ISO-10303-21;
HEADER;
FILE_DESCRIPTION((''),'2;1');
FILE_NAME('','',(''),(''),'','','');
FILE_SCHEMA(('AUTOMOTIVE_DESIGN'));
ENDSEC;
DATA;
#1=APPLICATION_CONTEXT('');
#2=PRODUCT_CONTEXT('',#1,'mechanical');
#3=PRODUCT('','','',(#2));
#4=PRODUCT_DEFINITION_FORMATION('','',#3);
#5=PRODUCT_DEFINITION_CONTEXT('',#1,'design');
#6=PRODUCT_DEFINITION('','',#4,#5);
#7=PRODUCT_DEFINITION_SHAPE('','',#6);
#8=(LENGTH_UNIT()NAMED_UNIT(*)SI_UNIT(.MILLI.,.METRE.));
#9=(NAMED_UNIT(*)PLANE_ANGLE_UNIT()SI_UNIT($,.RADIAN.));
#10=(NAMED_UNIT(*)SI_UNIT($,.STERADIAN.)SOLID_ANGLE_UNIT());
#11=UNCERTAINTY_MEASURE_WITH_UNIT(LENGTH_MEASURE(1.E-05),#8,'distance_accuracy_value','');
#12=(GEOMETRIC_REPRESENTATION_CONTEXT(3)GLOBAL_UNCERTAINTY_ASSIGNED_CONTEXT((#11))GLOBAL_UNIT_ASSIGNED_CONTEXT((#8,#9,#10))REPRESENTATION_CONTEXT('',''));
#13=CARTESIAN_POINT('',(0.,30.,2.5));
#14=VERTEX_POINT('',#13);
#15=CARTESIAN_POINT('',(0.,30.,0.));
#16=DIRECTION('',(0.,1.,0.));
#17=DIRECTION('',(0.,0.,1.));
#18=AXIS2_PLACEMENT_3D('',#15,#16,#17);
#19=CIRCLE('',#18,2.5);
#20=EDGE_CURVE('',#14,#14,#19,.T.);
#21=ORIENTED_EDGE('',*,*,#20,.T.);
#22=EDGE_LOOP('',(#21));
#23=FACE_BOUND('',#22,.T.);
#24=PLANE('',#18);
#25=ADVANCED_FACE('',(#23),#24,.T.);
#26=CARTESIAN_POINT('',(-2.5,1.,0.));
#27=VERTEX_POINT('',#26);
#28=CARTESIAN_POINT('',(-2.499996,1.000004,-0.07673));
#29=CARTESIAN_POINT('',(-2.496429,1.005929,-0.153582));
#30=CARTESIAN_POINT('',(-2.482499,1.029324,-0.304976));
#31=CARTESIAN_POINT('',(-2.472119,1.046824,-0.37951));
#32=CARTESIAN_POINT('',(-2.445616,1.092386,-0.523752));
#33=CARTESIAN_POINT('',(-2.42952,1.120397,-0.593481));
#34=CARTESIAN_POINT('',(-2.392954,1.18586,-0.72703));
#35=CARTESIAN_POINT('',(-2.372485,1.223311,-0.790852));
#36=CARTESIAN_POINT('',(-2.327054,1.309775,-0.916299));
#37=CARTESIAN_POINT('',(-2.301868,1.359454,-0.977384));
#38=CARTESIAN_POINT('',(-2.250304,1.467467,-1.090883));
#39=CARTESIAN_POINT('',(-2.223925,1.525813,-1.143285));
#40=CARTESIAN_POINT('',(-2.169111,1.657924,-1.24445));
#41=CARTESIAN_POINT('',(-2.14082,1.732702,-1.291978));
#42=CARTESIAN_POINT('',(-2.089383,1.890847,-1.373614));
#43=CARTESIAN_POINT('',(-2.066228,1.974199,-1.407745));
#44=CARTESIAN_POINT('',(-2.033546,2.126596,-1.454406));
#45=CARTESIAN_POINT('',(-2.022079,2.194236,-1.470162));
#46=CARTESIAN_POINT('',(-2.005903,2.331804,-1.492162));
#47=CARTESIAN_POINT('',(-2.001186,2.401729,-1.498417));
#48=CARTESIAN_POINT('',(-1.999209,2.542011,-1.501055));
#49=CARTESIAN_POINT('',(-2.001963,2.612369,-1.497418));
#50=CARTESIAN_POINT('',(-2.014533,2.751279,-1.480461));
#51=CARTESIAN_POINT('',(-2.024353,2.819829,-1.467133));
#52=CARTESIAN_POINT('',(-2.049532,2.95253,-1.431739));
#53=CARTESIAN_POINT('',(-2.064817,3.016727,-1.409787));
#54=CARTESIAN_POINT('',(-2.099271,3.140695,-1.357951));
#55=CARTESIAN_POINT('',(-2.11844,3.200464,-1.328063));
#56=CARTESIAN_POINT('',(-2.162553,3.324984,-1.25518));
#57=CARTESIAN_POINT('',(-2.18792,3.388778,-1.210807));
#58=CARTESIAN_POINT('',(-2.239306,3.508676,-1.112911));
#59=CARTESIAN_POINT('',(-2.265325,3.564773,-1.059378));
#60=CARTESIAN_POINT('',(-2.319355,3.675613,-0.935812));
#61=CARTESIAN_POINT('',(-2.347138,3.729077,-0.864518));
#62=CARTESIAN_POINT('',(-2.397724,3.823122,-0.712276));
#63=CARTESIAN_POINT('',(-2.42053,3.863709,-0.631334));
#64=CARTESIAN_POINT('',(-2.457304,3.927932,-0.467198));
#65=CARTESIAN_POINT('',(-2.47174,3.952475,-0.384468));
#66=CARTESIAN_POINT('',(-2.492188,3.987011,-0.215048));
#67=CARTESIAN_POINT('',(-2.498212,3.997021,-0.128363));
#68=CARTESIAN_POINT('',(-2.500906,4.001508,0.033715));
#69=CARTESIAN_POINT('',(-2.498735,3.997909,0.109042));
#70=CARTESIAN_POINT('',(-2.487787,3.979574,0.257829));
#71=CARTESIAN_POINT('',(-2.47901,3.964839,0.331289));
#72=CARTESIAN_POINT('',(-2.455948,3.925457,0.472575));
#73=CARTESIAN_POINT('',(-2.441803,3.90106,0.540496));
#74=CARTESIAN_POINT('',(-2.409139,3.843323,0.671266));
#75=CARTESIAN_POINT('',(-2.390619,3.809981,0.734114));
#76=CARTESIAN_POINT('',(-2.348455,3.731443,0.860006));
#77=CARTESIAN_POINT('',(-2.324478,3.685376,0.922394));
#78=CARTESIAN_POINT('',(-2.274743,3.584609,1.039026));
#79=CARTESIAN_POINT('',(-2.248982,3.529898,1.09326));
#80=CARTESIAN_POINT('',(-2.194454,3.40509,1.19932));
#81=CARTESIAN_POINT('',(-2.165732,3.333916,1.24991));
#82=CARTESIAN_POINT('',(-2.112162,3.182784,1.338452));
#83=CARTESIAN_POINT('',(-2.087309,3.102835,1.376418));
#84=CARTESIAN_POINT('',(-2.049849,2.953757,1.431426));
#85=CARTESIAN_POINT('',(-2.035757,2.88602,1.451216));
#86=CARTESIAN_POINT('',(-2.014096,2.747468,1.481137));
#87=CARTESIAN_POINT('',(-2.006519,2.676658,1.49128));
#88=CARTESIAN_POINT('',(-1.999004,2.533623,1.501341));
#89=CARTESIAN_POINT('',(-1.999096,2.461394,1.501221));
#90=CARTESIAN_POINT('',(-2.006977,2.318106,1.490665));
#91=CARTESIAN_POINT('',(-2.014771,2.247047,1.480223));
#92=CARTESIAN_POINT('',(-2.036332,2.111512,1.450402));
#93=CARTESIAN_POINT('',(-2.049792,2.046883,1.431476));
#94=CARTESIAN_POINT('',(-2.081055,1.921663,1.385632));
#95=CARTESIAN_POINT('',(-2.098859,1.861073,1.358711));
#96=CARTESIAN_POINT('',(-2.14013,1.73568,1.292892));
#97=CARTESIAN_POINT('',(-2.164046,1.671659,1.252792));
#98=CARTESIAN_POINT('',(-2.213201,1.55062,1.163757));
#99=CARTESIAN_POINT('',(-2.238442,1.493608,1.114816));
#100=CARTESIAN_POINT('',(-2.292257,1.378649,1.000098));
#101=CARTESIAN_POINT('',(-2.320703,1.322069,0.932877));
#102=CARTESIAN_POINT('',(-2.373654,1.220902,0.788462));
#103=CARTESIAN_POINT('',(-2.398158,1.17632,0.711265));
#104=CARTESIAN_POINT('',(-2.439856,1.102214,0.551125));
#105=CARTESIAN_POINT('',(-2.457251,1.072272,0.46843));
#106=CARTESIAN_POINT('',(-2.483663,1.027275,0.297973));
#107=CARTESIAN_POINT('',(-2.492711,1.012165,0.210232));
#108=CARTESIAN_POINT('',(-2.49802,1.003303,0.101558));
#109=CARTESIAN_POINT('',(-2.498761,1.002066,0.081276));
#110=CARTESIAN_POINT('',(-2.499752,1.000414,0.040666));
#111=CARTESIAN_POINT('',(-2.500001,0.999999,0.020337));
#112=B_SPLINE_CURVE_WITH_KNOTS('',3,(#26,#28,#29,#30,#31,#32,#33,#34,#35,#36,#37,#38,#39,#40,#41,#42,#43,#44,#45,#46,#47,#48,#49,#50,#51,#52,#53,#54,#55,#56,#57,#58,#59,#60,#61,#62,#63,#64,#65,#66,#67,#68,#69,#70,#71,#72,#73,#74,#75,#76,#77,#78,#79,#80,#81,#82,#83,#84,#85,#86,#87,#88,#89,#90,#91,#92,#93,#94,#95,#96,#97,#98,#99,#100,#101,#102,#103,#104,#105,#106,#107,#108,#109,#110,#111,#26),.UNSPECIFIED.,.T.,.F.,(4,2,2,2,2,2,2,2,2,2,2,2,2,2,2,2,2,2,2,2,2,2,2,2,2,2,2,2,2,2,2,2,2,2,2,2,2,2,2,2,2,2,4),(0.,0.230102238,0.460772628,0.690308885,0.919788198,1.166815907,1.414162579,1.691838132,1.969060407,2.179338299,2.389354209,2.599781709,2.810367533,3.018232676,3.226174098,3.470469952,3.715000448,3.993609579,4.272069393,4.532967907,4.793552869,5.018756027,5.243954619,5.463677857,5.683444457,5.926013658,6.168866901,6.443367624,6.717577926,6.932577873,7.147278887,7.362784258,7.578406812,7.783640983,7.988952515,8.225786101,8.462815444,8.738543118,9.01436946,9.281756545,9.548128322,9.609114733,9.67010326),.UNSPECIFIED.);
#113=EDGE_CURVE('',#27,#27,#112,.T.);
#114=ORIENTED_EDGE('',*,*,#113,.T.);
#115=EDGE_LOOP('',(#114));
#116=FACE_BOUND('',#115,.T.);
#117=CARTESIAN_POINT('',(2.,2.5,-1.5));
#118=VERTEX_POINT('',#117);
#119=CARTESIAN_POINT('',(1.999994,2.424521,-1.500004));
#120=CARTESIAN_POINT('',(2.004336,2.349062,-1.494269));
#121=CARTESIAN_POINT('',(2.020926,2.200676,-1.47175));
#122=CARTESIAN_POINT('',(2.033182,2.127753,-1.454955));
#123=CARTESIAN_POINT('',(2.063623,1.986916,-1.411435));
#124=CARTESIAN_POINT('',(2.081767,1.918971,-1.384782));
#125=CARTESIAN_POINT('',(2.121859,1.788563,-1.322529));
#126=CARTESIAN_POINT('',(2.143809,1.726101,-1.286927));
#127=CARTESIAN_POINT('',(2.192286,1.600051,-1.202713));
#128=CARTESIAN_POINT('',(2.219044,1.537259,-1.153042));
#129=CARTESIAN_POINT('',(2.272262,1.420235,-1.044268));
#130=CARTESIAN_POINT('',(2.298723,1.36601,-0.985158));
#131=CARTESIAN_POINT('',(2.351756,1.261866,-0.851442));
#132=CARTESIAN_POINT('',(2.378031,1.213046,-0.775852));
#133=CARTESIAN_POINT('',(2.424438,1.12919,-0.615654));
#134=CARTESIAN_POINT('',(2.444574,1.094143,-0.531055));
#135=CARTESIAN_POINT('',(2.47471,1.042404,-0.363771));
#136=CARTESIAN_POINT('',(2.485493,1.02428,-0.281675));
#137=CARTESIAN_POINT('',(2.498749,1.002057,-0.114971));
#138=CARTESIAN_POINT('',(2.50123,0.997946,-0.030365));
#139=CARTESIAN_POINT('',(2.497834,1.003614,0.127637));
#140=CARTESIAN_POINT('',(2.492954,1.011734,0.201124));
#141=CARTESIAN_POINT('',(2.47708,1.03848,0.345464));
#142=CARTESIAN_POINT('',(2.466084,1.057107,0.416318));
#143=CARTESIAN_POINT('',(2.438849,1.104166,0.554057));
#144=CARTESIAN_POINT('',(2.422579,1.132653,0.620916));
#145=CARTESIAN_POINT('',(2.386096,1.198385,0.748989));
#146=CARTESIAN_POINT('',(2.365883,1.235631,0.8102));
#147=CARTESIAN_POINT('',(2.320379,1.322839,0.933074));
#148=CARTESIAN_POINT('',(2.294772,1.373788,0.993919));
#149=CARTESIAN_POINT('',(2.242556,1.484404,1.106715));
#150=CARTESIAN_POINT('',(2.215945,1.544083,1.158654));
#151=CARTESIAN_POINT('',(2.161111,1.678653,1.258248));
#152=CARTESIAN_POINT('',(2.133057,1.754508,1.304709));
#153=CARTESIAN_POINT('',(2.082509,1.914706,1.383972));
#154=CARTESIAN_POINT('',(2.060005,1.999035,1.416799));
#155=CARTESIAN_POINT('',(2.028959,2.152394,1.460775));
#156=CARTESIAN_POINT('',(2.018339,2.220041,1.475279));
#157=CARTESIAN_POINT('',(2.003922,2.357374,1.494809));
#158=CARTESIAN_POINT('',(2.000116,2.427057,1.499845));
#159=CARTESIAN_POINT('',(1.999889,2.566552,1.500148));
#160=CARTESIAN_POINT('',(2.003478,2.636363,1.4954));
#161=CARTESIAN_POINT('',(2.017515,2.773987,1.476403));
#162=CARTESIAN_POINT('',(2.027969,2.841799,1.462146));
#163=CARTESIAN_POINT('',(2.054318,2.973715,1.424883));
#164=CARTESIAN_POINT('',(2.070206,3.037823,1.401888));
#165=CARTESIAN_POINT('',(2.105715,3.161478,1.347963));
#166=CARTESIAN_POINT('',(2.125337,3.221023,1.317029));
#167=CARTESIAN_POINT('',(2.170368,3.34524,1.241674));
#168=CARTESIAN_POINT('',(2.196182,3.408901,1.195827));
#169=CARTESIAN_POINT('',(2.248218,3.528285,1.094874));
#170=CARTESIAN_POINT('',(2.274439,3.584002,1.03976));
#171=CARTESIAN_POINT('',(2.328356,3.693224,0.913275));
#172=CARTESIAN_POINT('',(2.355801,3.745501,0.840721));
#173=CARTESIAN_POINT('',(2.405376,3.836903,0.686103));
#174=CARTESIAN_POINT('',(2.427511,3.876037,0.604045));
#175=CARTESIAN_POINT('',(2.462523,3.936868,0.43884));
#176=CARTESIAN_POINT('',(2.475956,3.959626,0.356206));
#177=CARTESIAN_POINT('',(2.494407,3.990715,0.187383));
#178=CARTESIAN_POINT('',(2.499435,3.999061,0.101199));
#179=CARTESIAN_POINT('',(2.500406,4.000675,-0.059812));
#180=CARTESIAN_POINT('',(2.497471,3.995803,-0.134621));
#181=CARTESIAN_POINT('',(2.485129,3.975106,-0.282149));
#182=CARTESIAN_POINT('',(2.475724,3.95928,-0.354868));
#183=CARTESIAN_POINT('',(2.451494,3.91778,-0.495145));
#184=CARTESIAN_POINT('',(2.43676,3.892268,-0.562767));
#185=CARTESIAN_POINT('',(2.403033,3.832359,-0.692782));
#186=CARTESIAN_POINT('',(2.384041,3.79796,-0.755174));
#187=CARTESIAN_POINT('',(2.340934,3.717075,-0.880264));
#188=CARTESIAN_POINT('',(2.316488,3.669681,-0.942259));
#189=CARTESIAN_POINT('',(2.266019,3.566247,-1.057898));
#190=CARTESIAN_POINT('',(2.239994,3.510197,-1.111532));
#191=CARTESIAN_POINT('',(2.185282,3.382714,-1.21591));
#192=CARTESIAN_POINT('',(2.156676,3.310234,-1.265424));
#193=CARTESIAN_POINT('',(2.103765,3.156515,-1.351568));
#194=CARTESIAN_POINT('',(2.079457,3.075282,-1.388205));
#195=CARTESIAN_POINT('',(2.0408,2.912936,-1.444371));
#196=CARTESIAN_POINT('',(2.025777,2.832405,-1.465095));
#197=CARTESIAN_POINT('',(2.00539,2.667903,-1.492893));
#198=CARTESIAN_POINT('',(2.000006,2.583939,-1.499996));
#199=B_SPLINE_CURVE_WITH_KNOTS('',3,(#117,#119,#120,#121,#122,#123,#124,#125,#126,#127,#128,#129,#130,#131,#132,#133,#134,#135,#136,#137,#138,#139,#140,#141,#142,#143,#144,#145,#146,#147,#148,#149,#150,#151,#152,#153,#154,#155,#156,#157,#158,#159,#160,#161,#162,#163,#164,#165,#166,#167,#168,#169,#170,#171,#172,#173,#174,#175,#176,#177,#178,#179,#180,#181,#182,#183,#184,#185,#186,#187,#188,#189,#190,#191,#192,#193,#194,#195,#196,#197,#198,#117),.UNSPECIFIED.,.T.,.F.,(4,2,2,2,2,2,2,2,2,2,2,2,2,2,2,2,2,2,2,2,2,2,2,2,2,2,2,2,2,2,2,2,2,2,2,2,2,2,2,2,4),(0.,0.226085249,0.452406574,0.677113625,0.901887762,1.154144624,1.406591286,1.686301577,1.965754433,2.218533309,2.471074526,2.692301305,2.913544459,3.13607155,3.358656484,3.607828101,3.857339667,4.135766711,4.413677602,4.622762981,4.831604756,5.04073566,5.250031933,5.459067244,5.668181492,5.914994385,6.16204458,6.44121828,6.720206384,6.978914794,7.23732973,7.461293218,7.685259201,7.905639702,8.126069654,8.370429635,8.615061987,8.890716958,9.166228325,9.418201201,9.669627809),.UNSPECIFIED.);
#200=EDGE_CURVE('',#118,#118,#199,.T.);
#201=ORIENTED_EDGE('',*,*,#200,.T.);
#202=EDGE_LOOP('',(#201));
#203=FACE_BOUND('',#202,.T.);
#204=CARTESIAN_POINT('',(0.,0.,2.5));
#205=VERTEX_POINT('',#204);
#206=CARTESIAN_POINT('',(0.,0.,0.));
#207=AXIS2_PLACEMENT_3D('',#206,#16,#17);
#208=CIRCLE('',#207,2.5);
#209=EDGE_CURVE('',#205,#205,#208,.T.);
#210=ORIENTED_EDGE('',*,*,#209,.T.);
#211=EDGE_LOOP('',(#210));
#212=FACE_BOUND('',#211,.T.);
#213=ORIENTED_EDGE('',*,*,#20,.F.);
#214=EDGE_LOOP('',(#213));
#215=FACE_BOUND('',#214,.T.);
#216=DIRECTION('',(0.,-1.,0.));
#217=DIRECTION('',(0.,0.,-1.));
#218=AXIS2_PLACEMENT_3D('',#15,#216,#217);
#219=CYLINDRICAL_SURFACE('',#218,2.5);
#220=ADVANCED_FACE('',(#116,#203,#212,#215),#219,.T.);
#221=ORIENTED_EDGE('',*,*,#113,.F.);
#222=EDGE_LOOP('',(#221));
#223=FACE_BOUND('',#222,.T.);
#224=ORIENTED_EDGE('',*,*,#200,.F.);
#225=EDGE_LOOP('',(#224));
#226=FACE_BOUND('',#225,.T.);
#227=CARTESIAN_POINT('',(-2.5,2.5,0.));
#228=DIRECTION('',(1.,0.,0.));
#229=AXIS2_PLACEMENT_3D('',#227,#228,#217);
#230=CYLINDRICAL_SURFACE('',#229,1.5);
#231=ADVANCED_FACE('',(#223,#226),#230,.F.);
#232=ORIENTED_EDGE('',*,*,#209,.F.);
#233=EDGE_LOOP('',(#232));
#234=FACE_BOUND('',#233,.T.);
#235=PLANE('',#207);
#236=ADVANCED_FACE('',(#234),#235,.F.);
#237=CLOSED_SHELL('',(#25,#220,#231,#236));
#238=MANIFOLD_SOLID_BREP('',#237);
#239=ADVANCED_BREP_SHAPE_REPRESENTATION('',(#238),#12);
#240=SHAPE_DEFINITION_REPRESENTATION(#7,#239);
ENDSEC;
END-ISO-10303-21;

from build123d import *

# Parameters (mm, degrees)
SKETCH1_R               = 2.5
BOSS_EXTRUDE1_DEPTH     = 30
CUT_EXTRUDE1_DEPTH      = 31.207614934
CUT_EXTRUDE1_DEPTH_BACK = 31.207614934
SKETCH2_R               = 1.5


with BuildPart() as part:
    # Sketch1 → Boss-Extrude1 (new body)
    with BuildSketch(Plane(origin=(0, 0, 0), x_dir=(1, 0, 0), z_dir=(0, 1, 0))):
        with Locations(Location((0, 0, 0), (0, 0, 270))):
            Circle(SKETCH1_R)
    extrude(amount=BOSS_EXTRUDE1_DEPTH)

    # Sketch2 → Cut-Extrude1 (cut, two sides: drawn at the far end of the back side and taken through both)
    with BuildSketch(Plane(origin=(0, 0, 0), x_dir=(0, 0, -1), z_dir=(1, 0, 0)).offset(-CUT_EXTRUDE1_DEPTH_BACK)):
        with Locations((0, 2.5)):
            Circle(SKETCH2_R)
    extrude(amount=CUT_EXTRUDE1_DEPTH + CUT_EXTRUDE1_DEPTH_BACK, mode=Mode.SUBTRACT)


solid = part.part
